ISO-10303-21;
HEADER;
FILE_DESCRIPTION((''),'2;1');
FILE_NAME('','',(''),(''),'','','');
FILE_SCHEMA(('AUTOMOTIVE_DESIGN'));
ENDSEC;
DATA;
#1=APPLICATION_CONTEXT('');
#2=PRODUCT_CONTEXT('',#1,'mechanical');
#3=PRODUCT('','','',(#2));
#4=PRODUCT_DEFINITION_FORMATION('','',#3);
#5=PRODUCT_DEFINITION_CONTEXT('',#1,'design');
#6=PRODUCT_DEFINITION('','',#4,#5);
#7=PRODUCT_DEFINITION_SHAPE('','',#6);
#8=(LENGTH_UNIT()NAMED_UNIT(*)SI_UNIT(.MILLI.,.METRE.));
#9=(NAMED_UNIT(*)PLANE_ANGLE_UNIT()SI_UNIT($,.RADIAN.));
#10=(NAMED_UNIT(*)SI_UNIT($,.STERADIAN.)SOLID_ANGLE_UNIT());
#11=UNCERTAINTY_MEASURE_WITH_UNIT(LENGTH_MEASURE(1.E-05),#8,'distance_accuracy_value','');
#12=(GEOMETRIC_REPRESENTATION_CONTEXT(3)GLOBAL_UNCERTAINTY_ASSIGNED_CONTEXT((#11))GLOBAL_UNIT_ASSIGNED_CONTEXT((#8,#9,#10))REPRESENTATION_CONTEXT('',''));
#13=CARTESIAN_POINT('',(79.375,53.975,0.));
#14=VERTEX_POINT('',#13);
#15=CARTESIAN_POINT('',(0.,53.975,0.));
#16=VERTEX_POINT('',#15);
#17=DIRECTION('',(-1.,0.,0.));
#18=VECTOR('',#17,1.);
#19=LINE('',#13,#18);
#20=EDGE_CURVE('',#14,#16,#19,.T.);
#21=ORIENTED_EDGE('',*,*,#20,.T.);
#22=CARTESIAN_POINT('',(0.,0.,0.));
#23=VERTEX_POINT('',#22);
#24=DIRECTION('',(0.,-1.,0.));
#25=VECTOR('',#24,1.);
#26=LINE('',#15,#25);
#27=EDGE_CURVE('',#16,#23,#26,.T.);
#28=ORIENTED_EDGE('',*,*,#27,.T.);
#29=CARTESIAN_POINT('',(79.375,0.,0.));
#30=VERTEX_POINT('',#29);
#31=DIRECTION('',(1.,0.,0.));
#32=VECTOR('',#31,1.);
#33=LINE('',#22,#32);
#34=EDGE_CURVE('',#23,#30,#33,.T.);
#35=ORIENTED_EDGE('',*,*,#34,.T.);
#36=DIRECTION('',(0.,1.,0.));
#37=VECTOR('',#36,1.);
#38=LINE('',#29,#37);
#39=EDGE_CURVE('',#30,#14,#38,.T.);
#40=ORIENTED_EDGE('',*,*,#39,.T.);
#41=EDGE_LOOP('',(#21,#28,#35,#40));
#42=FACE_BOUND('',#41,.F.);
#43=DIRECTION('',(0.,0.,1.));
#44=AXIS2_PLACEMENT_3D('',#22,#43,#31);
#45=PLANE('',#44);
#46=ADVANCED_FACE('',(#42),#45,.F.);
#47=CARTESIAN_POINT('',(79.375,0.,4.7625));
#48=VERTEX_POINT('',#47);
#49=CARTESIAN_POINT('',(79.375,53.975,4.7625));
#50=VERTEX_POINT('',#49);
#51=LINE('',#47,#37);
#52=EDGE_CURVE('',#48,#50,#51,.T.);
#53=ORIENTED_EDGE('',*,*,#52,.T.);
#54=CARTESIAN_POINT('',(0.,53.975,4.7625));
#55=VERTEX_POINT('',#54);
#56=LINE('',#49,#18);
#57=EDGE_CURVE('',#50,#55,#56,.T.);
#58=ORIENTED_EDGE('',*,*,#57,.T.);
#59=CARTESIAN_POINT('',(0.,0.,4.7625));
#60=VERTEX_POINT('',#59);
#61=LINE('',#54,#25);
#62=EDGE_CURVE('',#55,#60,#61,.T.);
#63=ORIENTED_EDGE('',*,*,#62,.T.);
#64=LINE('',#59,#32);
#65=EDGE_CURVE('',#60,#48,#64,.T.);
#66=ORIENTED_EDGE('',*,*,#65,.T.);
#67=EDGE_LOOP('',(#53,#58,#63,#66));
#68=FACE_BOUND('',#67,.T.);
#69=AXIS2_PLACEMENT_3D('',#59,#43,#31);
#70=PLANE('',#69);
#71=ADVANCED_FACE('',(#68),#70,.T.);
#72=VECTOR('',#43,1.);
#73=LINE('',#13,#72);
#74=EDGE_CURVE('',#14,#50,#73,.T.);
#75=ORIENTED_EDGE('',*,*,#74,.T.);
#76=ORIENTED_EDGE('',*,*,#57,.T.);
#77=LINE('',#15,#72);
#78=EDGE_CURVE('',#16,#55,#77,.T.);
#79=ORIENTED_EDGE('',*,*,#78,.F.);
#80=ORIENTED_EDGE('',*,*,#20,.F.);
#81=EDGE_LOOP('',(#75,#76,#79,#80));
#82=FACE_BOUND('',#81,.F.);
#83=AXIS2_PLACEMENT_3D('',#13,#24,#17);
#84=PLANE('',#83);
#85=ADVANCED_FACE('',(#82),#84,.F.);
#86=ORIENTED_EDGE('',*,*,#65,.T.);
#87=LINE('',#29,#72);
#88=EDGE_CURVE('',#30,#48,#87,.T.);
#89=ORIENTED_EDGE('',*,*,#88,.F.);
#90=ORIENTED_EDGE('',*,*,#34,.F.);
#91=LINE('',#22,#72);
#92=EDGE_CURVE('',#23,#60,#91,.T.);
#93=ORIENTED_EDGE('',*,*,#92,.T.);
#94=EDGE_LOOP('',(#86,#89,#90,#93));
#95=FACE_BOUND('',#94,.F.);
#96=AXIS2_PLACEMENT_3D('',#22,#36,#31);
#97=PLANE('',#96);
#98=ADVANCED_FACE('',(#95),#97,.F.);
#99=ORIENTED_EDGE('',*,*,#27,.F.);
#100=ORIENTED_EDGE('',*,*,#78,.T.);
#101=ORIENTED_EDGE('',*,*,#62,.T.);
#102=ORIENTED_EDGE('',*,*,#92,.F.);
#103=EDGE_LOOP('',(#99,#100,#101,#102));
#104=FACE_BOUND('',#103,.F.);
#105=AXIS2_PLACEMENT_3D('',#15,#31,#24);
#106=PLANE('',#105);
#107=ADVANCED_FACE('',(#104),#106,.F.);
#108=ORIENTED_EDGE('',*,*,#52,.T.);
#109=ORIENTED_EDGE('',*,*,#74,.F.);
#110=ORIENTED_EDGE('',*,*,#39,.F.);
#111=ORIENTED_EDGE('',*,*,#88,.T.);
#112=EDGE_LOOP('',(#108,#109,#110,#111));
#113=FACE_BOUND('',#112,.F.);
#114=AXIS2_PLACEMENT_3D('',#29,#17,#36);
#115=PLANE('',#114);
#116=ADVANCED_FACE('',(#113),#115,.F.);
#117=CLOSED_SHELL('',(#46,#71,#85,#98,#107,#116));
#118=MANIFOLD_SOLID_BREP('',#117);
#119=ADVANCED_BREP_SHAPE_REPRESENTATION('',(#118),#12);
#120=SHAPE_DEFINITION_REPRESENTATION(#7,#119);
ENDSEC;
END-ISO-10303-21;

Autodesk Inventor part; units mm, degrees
ref_plane "YZ Plane" through (0, 0, 0) normal (1, 0, 0) x (0, 1, 0)
ref_plane "XZ Plane" through (0, 0, 0) normal (0, 1, 0) x (-1, 0, 0)
ref_plane "XY Plane" through (0, 0, 0) normal (0, 0, 1) x (1, 0, 0)
sketch "Sketch1" plane through (0, 0, 0) normal (0, 0, 1) x (1, 0, 0)
  line L0 (0, 0) -> (79.375, 0)
  line L1 (79.375, 0) -> (79.375, 53.975)
  line L2 (79.375, 53.975) -> (0, 53.975)
  line L3 (0, 53.975) -> (0, 0)
  dimension "d0" = 79.375
  dimension "d1" = 53.975
extrude "Extrusion1" add sketch "Sketch1" along normal blind 4.7625
properties part number "Side"
